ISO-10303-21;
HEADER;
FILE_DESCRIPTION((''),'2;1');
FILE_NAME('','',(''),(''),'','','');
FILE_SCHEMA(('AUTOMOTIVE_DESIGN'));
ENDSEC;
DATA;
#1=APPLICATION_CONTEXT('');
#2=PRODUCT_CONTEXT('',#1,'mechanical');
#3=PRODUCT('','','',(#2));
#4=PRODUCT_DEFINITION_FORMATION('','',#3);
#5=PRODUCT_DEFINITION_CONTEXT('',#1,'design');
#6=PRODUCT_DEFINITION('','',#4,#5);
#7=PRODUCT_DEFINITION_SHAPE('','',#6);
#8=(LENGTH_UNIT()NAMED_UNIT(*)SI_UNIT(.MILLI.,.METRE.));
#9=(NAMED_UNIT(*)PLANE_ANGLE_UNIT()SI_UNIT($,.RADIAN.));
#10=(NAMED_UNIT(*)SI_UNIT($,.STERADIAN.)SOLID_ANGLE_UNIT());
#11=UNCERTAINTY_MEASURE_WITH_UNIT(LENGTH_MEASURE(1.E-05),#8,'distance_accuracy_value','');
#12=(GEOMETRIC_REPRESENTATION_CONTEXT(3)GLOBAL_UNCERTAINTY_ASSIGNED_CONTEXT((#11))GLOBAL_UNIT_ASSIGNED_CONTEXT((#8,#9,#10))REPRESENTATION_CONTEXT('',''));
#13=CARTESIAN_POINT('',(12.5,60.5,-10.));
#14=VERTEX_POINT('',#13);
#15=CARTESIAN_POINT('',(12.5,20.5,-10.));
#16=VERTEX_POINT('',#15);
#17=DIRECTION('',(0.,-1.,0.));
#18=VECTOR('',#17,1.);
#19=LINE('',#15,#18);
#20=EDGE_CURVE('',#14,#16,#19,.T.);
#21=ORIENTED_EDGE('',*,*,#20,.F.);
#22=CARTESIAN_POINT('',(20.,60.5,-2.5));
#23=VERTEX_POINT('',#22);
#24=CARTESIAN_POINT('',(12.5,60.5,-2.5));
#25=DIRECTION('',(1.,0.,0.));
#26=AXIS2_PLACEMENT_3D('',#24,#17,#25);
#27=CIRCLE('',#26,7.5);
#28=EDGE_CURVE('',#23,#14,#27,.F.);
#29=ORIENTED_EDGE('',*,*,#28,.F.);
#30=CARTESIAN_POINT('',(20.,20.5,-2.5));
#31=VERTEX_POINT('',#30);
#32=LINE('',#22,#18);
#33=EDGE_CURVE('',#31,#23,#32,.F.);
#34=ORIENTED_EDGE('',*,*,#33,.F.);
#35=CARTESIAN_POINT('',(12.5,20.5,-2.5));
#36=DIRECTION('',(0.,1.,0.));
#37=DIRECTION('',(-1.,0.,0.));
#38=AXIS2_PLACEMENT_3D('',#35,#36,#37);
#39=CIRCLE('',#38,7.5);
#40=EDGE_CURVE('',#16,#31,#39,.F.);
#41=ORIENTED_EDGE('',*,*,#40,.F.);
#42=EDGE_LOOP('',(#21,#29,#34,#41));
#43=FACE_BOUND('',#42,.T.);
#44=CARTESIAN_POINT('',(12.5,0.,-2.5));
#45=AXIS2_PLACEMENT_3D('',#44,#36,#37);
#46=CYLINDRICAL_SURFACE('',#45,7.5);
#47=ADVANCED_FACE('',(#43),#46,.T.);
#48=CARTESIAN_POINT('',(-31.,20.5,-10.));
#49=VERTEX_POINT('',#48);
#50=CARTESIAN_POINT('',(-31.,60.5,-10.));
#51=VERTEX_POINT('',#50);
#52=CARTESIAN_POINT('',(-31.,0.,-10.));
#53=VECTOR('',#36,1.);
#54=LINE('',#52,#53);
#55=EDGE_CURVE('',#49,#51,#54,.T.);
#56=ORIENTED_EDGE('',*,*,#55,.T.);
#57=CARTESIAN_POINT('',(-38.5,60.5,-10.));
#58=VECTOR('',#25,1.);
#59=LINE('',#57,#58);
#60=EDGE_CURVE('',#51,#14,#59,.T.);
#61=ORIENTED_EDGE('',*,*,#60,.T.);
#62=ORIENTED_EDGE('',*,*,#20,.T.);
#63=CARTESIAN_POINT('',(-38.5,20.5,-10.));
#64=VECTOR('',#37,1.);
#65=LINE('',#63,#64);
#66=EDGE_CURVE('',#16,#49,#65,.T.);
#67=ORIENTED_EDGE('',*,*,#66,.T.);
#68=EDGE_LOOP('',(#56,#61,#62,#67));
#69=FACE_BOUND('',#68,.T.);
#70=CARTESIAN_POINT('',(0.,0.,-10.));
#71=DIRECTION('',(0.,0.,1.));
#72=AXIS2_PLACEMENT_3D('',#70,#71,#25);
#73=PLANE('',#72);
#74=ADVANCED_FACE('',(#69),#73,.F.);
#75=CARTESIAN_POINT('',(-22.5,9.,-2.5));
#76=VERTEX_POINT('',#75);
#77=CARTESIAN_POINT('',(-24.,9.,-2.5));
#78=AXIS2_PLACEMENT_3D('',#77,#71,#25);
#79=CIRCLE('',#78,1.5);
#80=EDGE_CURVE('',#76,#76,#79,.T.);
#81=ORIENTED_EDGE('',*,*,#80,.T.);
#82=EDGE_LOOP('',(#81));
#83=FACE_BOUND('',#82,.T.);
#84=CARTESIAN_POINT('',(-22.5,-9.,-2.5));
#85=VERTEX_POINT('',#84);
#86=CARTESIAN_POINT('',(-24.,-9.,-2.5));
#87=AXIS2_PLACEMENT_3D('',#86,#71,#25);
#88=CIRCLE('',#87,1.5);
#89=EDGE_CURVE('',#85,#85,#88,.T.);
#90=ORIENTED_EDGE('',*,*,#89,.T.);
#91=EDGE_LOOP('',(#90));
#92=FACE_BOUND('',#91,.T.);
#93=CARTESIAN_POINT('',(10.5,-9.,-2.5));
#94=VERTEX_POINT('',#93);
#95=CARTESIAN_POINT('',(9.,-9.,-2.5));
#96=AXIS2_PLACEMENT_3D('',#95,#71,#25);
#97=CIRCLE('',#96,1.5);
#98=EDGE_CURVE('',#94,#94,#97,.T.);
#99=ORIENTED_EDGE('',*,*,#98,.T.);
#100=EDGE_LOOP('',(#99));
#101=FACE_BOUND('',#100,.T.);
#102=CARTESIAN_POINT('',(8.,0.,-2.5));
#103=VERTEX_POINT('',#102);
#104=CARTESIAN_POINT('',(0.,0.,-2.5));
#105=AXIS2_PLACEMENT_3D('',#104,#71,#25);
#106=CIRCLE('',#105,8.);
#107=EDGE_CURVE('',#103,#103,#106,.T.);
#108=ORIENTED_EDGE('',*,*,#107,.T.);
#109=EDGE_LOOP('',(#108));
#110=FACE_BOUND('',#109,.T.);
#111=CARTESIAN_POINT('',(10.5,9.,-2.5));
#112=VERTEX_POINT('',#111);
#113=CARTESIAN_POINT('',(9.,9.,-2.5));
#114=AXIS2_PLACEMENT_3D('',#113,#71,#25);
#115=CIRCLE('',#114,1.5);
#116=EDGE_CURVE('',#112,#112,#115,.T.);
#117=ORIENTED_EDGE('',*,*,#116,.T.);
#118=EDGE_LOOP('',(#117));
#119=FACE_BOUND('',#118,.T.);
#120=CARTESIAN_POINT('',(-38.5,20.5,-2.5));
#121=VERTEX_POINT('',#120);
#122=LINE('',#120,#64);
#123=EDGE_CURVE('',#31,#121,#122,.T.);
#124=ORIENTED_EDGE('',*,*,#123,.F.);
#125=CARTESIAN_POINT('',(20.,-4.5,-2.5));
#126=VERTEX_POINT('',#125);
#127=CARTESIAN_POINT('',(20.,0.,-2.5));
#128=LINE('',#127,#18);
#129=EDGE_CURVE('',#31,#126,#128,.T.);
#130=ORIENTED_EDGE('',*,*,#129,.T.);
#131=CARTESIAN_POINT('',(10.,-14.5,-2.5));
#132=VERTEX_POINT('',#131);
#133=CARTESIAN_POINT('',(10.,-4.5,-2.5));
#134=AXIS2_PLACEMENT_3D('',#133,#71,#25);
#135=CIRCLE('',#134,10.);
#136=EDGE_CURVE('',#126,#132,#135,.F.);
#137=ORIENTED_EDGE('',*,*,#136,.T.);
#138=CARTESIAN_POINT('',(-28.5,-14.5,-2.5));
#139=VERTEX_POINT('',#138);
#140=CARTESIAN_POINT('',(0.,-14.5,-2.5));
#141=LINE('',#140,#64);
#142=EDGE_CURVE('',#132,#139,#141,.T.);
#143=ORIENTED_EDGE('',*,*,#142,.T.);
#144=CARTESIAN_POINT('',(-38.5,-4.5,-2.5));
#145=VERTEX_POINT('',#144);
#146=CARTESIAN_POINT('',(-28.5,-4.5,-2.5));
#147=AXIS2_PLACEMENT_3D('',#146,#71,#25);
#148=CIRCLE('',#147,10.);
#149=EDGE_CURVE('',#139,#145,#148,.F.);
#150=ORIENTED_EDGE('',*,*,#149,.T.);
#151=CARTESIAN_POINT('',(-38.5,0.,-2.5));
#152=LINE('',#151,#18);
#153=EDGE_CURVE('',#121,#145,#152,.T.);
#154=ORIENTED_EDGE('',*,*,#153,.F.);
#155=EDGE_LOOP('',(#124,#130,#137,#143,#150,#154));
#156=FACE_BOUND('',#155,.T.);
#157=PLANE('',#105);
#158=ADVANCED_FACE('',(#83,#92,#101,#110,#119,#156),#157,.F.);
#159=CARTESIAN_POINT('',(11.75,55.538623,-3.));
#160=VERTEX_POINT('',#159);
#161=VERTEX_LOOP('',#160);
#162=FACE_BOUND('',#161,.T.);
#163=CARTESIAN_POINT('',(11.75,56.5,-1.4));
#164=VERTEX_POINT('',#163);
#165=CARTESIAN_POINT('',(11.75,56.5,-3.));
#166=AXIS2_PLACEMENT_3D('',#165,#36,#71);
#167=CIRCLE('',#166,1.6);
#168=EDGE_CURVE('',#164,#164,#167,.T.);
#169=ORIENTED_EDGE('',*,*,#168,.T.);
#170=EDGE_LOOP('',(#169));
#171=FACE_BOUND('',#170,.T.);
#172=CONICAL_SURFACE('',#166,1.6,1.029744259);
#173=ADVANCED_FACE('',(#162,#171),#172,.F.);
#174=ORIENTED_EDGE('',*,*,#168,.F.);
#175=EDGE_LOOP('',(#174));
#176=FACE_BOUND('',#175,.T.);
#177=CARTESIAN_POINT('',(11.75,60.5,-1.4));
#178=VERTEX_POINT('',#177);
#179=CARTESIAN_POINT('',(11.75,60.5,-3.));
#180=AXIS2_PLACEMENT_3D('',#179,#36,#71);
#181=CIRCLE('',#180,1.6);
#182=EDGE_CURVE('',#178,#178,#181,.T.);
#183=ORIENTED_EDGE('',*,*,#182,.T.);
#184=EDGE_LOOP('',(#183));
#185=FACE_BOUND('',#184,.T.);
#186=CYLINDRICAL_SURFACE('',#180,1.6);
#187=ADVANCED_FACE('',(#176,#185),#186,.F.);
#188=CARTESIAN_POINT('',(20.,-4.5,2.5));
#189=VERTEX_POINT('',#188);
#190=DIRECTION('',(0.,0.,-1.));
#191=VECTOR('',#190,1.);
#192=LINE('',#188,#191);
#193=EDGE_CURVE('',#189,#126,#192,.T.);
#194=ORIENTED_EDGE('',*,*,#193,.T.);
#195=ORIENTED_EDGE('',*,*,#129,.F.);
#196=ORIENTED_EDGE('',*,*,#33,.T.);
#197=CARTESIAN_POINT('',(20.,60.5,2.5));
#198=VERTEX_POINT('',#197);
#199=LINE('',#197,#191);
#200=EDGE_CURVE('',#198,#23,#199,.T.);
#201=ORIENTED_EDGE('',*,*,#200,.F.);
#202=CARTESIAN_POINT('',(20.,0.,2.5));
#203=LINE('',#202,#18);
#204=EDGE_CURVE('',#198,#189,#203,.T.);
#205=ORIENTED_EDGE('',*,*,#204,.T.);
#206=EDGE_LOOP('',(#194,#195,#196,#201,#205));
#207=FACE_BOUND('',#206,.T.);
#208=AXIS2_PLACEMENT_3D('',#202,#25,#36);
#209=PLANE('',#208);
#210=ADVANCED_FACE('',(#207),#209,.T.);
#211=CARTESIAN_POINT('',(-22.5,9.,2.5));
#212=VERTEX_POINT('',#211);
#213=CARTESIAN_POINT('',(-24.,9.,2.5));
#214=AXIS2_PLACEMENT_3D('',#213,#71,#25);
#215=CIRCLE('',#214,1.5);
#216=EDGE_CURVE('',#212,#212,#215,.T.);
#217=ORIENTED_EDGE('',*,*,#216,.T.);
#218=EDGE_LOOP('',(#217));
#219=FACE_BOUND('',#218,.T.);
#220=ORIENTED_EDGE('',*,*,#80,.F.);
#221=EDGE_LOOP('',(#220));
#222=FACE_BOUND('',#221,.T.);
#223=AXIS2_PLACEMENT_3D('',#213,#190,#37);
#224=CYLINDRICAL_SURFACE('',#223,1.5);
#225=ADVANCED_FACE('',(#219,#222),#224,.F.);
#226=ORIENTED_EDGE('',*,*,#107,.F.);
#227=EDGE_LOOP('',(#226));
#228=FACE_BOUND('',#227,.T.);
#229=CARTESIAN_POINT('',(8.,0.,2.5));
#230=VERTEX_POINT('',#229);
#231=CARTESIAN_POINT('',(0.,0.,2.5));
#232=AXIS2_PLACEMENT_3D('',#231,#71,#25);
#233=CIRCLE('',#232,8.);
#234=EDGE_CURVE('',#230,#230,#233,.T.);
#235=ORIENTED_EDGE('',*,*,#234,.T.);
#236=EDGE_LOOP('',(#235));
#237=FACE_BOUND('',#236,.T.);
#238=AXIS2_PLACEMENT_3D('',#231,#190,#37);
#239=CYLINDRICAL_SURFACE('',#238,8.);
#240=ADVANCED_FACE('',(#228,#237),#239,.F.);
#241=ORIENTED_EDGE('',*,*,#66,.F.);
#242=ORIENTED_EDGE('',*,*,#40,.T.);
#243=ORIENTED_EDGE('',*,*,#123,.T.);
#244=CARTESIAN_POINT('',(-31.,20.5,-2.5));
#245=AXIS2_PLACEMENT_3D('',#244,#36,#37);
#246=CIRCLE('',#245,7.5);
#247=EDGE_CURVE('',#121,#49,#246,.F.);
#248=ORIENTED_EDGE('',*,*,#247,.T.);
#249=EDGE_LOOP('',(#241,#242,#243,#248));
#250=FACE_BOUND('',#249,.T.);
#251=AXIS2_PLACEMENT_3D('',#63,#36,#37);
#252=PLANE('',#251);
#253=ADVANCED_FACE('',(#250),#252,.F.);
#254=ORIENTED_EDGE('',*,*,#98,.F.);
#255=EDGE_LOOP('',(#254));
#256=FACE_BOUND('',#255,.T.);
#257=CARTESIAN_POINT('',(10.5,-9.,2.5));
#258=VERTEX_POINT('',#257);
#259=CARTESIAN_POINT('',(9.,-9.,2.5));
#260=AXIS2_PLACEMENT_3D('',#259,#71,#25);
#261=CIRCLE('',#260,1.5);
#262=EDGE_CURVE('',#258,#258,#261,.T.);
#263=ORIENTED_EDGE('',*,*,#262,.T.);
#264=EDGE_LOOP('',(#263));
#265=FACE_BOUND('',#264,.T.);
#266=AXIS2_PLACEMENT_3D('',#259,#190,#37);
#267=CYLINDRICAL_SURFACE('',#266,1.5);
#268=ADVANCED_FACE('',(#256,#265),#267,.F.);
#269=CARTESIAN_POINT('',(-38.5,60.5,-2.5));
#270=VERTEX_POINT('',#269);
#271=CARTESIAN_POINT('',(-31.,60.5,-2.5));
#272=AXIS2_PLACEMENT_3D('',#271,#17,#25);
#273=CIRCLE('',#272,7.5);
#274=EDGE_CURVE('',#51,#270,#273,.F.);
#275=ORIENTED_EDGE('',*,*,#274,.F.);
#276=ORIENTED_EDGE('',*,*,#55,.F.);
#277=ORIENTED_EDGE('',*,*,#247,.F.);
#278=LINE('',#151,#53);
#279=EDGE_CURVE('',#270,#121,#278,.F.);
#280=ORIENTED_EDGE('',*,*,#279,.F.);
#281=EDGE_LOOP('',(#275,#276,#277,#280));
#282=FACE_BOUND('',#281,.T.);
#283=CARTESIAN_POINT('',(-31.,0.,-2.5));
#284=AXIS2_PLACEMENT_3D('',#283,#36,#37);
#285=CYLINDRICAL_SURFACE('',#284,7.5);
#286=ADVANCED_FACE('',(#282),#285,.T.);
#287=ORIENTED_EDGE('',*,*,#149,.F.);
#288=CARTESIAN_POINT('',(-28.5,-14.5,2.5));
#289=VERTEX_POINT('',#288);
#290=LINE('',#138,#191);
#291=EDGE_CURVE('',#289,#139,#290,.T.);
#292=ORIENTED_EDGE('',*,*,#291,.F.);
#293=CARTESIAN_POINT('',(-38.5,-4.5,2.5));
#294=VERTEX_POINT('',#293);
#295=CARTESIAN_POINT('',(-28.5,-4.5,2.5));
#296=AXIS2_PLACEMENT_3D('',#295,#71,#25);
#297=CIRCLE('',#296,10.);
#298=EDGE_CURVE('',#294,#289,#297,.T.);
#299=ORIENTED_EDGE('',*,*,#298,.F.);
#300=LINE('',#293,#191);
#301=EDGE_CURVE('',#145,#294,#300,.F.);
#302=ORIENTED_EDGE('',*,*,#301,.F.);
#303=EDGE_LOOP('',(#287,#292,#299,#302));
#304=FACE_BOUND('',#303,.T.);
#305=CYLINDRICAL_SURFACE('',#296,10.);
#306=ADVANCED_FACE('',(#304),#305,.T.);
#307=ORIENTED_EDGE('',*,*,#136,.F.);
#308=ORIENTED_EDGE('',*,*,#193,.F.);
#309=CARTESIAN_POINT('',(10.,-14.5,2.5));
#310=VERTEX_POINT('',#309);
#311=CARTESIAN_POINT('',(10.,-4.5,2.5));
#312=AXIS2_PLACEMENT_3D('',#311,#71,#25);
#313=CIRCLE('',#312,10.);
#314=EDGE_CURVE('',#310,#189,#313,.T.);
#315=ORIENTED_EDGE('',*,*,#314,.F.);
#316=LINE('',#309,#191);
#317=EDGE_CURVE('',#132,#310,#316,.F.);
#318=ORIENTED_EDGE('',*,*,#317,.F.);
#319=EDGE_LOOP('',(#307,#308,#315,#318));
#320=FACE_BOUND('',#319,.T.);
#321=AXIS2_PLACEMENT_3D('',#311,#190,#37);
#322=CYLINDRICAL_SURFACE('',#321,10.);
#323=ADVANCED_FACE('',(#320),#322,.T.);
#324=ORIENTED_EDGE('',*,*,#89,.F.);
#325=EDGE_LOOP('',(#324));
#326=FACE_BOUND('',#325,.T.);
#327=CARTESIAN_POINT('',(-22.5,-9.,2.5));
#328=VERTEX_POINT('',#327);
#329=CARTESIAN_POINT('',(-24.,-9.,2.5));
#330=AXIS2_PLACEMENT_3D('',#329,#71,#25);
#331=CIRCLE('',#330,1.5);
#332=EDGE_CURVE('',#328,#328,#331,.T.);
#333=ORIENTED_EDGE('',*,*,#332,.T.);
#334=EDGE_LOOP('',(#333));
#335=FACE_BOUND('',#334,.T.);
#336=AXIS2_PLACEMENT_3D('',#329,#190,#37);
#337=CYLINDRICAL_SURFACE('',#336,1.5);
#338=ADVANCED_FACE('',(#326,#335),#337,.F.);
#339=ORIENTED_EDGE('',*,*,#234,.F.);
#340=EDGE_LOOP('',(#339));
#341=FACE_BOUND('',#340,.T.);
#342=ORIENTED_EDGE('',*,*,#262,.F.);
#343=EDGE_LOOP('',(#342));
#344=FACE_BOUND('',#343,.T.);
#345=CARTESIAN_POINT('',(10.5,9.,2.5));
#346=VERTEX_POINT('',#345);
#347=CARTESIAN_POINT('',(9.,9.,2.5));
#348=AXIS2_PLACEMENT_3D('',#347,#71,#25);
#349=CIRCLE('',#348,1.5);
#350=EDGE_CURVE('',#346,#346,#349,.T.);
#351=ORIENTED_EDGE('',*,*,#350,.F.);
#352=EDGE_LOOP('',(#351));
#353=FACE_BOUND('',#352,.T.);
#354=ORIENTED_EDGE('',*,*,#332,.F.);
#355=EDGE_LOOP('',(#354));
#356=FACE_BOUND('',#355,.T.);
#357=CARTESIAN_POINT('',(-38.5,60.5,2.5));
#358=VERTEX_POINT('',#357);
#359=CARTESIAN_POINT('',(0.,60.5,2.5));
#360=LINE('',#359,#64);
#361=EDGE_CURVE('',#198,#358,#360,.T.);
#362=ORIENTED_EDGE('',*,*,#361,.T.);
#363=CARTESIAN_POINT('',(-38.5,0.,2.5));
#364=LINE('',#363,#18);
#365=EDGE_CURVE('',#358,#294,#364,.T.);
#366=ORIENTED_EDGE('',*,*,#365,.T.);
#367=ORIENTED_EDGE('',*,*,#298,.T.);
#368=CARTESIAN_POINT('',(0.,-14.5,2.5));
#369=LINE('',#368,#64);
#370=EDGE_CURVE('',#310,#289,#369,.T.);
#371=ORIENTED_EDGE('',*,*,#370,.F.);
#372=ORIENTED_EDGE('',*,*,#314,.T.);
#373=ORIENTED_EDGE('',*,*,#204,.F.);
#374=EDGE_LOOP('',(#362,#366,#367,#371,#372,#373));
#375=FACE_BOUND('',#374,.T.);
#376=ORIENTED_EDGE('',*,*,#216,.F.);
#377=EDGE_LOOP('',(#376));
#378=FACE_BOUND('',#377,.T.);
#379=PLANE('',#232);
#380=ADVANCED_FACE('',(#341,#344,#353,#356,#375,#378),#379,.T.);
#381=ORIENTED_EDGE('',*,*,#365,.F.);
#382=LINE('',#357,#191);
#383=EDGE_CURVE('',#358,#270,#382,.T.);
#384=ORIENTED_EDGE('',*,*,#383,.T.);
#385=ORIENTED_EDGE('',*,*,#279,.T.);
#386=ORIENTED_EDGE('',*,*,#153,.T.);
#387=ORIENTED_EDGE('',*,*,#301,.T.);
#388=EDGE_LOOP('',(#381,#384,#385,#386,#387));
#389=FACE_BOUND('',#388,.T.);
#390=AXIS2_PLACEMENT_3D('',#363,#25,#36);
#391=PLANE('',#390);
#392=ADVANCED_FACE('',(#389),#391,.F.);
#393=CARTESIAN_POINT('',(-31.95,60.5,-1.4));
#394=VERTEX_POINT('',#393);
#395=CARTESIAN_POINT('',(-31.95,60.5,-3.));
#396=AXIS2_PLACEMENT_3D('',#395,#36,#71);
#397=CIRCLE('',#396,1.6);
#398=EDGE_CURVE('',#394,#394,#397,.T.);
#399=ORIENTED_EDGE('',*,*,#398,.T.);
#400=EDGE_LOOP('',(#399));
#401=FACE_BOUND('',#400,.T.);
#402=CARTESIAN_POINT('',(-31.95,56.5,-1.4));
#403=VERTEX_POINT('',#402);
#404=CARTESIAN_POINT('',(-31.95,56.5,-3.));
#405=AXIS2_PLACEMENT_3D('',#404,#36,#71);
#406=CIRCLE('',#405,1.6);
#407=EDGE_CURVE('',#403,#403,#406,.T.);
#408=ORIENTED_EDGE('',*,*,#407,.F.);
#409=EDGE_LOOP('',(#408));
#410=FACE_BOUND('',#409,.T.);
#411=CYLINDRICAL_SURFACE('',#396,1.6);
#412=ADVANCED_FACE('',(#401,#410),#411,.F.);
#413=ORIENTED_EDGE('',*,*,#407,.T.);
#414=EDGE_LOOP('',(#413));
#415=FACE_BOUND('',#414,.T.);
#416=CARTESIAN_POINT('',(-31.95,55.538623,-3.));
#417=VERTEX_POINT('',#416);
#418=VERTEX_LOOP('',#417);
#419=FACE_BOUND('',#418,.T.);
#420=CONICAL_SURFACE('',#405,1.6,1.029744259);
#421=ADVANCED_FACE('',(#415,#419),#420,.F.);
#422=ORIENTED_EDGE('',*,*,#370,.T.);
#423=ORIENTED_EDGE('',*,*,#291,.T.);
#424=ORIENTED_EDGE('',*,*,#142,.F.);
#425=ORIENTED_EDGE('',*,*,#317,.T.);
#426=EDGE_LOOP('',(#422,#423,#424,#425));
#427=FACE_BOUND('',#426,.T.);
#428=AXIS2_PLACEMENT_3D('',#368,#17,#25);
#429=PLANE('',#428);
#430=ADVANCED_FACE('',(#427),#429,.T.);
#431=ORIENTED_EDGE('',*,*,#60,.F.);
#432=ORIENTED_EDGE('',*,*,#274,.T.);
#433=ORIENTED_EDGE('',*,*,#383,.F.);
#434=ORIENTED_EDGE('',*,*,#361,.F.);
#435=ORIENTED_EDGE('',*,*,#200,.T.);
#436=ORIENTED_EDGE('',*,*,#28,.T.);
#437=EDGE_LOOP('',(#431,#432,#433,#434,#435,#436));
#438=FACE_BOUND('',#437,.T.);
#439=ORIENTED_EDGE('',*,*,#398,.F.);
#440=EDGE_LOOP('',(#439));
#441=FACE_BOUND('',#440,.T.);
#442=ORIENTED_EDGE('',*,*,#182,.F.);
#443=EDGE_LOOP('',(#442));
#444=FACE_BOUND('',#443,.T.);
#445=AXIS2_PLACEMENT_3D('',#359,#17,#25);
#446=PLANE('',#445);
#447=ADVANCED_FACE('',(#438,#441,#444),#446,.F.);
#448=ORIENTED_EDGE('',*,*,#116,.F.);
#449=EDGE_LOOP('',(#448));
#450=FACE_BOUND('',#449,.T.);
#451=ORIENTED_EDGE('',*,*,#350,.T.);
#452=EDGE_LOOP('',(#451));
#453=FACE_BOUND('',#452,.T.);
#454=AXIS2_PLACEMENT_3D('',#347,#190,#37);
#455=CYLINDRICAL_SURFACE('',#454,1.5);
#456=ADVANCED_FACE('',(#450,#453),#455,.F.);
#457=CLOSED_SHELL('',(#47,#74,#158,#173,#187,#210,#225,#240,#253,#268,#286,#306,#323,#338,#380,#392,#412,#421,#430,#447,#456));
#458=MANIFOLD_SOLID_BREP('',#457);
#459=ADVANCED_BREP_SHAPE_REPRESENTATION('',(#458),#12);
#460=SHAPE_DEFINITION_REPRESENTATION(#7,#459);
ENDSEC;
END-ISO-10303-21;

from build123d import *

# Parameters (mm, degrees)
SKETCH1_W                = 58.5
SKETCH1_H                = 75
SKETCH1_R                = 8
SKETCH1_R_2              = 1.5
BOSS_EXTRUDE1_DEPTH      = 2.5
SKETCH4_W                = 58.5
SKETCH4_H                = 40
BOSS_EXTRUDE2_DEPTH      = 7.5
M3_CLEARANCE_HOLE1_D     = 3.2
M3_CLEARANCE_HOLE1_DEPTH = 4
M3_CLEARANCE_HOLE1_TIP   = 0.96137699
FILLET1_R                = 10
FILLET2_R                = 7.5


with BuildPart() as part:
    # Sketch1 → Boss-Extrude1 (new, symmetric)
    with BuildSketch(Plane.XY):
        with Locations((-9.25, 23)):
            Rectangle(SKETCH1_W, SKETCH1_H)
        Circle(SKETCH1_R, mode=Mode.SUBTRACT)
        with Locations((-24, -9)):
            Circle(SKETCH1_R_2, mode=Mode.SUBTRACT)
        with Locations((9, -9)):
            Circle(SKETCH1_R_2, mode=Mode.SUBTRACT)
        with Locations((9, 9)):
            Circle(SKETCH1_R_2, mode=Mode.SUBTRACT)
        with Locations((-24, 9)):
            Circle(SKETCH1_R_2, mode=Mode.SUBTRACT)
    extrude(amount=BOSS_EXTRUDE1_DEPTH, both=True)

    # Sketch4 → Boss-Extrude2 (add)
    with BuildSketch(Plane(origin=(0, 0, -2.5), x_dir=(-1, 0, 0), z_dir=(0, 0, -1))):
        with Locations((9.25, 40.5)):
            Rectangle(SKETCH4_W, SKETCH4_H)
    extrude(amount=BOSS_EXTRUDE2_DEPTH)

    # M3 Clearance Hole1
    with Locations(Plane(origin=(0, 60.5, 0), x_dir=(1, 0, 0), z_dir=(0, 1, 0))):
        with Locations((-31.95, 3), (11.75, 3)):
            Hole(M3_CLEARANCE_HOLE1_D / 2, depth=M3_CLEARANCE_HOLE1_DEPTH)
            with Locations((0, 0, -(M3_CLEARANCE_HOLE1_DEPTH + M3_CLEARANCE_HOLE1_TIP / 2))):  # 118° drill point
                Cone(0, M3_CLEARANCE_HOLE1_D / 2, M3_CLEARANCE_HOLE1_TIP, mode=Mode.SUBTRACT)

    # Fillet1
    fillet1_edges = [part.edges().sort_by_distance(p)[0] for p in [
        (20, -14.5, 0),
        (-38.5, -14.5, 0),
    ]]
    fillet(fillet1_edges, radius=FILLET1_R)

    # Fillet2
    fillet2_edges = [part.edges().sort_by_distance(p)[0] for p in [
        (-38.5, 40.5, -10),
        (20, 40.5, -10),
    ]]
    fillet(fillet2_edges, radius=FILLET2_R)


solid = part.part
